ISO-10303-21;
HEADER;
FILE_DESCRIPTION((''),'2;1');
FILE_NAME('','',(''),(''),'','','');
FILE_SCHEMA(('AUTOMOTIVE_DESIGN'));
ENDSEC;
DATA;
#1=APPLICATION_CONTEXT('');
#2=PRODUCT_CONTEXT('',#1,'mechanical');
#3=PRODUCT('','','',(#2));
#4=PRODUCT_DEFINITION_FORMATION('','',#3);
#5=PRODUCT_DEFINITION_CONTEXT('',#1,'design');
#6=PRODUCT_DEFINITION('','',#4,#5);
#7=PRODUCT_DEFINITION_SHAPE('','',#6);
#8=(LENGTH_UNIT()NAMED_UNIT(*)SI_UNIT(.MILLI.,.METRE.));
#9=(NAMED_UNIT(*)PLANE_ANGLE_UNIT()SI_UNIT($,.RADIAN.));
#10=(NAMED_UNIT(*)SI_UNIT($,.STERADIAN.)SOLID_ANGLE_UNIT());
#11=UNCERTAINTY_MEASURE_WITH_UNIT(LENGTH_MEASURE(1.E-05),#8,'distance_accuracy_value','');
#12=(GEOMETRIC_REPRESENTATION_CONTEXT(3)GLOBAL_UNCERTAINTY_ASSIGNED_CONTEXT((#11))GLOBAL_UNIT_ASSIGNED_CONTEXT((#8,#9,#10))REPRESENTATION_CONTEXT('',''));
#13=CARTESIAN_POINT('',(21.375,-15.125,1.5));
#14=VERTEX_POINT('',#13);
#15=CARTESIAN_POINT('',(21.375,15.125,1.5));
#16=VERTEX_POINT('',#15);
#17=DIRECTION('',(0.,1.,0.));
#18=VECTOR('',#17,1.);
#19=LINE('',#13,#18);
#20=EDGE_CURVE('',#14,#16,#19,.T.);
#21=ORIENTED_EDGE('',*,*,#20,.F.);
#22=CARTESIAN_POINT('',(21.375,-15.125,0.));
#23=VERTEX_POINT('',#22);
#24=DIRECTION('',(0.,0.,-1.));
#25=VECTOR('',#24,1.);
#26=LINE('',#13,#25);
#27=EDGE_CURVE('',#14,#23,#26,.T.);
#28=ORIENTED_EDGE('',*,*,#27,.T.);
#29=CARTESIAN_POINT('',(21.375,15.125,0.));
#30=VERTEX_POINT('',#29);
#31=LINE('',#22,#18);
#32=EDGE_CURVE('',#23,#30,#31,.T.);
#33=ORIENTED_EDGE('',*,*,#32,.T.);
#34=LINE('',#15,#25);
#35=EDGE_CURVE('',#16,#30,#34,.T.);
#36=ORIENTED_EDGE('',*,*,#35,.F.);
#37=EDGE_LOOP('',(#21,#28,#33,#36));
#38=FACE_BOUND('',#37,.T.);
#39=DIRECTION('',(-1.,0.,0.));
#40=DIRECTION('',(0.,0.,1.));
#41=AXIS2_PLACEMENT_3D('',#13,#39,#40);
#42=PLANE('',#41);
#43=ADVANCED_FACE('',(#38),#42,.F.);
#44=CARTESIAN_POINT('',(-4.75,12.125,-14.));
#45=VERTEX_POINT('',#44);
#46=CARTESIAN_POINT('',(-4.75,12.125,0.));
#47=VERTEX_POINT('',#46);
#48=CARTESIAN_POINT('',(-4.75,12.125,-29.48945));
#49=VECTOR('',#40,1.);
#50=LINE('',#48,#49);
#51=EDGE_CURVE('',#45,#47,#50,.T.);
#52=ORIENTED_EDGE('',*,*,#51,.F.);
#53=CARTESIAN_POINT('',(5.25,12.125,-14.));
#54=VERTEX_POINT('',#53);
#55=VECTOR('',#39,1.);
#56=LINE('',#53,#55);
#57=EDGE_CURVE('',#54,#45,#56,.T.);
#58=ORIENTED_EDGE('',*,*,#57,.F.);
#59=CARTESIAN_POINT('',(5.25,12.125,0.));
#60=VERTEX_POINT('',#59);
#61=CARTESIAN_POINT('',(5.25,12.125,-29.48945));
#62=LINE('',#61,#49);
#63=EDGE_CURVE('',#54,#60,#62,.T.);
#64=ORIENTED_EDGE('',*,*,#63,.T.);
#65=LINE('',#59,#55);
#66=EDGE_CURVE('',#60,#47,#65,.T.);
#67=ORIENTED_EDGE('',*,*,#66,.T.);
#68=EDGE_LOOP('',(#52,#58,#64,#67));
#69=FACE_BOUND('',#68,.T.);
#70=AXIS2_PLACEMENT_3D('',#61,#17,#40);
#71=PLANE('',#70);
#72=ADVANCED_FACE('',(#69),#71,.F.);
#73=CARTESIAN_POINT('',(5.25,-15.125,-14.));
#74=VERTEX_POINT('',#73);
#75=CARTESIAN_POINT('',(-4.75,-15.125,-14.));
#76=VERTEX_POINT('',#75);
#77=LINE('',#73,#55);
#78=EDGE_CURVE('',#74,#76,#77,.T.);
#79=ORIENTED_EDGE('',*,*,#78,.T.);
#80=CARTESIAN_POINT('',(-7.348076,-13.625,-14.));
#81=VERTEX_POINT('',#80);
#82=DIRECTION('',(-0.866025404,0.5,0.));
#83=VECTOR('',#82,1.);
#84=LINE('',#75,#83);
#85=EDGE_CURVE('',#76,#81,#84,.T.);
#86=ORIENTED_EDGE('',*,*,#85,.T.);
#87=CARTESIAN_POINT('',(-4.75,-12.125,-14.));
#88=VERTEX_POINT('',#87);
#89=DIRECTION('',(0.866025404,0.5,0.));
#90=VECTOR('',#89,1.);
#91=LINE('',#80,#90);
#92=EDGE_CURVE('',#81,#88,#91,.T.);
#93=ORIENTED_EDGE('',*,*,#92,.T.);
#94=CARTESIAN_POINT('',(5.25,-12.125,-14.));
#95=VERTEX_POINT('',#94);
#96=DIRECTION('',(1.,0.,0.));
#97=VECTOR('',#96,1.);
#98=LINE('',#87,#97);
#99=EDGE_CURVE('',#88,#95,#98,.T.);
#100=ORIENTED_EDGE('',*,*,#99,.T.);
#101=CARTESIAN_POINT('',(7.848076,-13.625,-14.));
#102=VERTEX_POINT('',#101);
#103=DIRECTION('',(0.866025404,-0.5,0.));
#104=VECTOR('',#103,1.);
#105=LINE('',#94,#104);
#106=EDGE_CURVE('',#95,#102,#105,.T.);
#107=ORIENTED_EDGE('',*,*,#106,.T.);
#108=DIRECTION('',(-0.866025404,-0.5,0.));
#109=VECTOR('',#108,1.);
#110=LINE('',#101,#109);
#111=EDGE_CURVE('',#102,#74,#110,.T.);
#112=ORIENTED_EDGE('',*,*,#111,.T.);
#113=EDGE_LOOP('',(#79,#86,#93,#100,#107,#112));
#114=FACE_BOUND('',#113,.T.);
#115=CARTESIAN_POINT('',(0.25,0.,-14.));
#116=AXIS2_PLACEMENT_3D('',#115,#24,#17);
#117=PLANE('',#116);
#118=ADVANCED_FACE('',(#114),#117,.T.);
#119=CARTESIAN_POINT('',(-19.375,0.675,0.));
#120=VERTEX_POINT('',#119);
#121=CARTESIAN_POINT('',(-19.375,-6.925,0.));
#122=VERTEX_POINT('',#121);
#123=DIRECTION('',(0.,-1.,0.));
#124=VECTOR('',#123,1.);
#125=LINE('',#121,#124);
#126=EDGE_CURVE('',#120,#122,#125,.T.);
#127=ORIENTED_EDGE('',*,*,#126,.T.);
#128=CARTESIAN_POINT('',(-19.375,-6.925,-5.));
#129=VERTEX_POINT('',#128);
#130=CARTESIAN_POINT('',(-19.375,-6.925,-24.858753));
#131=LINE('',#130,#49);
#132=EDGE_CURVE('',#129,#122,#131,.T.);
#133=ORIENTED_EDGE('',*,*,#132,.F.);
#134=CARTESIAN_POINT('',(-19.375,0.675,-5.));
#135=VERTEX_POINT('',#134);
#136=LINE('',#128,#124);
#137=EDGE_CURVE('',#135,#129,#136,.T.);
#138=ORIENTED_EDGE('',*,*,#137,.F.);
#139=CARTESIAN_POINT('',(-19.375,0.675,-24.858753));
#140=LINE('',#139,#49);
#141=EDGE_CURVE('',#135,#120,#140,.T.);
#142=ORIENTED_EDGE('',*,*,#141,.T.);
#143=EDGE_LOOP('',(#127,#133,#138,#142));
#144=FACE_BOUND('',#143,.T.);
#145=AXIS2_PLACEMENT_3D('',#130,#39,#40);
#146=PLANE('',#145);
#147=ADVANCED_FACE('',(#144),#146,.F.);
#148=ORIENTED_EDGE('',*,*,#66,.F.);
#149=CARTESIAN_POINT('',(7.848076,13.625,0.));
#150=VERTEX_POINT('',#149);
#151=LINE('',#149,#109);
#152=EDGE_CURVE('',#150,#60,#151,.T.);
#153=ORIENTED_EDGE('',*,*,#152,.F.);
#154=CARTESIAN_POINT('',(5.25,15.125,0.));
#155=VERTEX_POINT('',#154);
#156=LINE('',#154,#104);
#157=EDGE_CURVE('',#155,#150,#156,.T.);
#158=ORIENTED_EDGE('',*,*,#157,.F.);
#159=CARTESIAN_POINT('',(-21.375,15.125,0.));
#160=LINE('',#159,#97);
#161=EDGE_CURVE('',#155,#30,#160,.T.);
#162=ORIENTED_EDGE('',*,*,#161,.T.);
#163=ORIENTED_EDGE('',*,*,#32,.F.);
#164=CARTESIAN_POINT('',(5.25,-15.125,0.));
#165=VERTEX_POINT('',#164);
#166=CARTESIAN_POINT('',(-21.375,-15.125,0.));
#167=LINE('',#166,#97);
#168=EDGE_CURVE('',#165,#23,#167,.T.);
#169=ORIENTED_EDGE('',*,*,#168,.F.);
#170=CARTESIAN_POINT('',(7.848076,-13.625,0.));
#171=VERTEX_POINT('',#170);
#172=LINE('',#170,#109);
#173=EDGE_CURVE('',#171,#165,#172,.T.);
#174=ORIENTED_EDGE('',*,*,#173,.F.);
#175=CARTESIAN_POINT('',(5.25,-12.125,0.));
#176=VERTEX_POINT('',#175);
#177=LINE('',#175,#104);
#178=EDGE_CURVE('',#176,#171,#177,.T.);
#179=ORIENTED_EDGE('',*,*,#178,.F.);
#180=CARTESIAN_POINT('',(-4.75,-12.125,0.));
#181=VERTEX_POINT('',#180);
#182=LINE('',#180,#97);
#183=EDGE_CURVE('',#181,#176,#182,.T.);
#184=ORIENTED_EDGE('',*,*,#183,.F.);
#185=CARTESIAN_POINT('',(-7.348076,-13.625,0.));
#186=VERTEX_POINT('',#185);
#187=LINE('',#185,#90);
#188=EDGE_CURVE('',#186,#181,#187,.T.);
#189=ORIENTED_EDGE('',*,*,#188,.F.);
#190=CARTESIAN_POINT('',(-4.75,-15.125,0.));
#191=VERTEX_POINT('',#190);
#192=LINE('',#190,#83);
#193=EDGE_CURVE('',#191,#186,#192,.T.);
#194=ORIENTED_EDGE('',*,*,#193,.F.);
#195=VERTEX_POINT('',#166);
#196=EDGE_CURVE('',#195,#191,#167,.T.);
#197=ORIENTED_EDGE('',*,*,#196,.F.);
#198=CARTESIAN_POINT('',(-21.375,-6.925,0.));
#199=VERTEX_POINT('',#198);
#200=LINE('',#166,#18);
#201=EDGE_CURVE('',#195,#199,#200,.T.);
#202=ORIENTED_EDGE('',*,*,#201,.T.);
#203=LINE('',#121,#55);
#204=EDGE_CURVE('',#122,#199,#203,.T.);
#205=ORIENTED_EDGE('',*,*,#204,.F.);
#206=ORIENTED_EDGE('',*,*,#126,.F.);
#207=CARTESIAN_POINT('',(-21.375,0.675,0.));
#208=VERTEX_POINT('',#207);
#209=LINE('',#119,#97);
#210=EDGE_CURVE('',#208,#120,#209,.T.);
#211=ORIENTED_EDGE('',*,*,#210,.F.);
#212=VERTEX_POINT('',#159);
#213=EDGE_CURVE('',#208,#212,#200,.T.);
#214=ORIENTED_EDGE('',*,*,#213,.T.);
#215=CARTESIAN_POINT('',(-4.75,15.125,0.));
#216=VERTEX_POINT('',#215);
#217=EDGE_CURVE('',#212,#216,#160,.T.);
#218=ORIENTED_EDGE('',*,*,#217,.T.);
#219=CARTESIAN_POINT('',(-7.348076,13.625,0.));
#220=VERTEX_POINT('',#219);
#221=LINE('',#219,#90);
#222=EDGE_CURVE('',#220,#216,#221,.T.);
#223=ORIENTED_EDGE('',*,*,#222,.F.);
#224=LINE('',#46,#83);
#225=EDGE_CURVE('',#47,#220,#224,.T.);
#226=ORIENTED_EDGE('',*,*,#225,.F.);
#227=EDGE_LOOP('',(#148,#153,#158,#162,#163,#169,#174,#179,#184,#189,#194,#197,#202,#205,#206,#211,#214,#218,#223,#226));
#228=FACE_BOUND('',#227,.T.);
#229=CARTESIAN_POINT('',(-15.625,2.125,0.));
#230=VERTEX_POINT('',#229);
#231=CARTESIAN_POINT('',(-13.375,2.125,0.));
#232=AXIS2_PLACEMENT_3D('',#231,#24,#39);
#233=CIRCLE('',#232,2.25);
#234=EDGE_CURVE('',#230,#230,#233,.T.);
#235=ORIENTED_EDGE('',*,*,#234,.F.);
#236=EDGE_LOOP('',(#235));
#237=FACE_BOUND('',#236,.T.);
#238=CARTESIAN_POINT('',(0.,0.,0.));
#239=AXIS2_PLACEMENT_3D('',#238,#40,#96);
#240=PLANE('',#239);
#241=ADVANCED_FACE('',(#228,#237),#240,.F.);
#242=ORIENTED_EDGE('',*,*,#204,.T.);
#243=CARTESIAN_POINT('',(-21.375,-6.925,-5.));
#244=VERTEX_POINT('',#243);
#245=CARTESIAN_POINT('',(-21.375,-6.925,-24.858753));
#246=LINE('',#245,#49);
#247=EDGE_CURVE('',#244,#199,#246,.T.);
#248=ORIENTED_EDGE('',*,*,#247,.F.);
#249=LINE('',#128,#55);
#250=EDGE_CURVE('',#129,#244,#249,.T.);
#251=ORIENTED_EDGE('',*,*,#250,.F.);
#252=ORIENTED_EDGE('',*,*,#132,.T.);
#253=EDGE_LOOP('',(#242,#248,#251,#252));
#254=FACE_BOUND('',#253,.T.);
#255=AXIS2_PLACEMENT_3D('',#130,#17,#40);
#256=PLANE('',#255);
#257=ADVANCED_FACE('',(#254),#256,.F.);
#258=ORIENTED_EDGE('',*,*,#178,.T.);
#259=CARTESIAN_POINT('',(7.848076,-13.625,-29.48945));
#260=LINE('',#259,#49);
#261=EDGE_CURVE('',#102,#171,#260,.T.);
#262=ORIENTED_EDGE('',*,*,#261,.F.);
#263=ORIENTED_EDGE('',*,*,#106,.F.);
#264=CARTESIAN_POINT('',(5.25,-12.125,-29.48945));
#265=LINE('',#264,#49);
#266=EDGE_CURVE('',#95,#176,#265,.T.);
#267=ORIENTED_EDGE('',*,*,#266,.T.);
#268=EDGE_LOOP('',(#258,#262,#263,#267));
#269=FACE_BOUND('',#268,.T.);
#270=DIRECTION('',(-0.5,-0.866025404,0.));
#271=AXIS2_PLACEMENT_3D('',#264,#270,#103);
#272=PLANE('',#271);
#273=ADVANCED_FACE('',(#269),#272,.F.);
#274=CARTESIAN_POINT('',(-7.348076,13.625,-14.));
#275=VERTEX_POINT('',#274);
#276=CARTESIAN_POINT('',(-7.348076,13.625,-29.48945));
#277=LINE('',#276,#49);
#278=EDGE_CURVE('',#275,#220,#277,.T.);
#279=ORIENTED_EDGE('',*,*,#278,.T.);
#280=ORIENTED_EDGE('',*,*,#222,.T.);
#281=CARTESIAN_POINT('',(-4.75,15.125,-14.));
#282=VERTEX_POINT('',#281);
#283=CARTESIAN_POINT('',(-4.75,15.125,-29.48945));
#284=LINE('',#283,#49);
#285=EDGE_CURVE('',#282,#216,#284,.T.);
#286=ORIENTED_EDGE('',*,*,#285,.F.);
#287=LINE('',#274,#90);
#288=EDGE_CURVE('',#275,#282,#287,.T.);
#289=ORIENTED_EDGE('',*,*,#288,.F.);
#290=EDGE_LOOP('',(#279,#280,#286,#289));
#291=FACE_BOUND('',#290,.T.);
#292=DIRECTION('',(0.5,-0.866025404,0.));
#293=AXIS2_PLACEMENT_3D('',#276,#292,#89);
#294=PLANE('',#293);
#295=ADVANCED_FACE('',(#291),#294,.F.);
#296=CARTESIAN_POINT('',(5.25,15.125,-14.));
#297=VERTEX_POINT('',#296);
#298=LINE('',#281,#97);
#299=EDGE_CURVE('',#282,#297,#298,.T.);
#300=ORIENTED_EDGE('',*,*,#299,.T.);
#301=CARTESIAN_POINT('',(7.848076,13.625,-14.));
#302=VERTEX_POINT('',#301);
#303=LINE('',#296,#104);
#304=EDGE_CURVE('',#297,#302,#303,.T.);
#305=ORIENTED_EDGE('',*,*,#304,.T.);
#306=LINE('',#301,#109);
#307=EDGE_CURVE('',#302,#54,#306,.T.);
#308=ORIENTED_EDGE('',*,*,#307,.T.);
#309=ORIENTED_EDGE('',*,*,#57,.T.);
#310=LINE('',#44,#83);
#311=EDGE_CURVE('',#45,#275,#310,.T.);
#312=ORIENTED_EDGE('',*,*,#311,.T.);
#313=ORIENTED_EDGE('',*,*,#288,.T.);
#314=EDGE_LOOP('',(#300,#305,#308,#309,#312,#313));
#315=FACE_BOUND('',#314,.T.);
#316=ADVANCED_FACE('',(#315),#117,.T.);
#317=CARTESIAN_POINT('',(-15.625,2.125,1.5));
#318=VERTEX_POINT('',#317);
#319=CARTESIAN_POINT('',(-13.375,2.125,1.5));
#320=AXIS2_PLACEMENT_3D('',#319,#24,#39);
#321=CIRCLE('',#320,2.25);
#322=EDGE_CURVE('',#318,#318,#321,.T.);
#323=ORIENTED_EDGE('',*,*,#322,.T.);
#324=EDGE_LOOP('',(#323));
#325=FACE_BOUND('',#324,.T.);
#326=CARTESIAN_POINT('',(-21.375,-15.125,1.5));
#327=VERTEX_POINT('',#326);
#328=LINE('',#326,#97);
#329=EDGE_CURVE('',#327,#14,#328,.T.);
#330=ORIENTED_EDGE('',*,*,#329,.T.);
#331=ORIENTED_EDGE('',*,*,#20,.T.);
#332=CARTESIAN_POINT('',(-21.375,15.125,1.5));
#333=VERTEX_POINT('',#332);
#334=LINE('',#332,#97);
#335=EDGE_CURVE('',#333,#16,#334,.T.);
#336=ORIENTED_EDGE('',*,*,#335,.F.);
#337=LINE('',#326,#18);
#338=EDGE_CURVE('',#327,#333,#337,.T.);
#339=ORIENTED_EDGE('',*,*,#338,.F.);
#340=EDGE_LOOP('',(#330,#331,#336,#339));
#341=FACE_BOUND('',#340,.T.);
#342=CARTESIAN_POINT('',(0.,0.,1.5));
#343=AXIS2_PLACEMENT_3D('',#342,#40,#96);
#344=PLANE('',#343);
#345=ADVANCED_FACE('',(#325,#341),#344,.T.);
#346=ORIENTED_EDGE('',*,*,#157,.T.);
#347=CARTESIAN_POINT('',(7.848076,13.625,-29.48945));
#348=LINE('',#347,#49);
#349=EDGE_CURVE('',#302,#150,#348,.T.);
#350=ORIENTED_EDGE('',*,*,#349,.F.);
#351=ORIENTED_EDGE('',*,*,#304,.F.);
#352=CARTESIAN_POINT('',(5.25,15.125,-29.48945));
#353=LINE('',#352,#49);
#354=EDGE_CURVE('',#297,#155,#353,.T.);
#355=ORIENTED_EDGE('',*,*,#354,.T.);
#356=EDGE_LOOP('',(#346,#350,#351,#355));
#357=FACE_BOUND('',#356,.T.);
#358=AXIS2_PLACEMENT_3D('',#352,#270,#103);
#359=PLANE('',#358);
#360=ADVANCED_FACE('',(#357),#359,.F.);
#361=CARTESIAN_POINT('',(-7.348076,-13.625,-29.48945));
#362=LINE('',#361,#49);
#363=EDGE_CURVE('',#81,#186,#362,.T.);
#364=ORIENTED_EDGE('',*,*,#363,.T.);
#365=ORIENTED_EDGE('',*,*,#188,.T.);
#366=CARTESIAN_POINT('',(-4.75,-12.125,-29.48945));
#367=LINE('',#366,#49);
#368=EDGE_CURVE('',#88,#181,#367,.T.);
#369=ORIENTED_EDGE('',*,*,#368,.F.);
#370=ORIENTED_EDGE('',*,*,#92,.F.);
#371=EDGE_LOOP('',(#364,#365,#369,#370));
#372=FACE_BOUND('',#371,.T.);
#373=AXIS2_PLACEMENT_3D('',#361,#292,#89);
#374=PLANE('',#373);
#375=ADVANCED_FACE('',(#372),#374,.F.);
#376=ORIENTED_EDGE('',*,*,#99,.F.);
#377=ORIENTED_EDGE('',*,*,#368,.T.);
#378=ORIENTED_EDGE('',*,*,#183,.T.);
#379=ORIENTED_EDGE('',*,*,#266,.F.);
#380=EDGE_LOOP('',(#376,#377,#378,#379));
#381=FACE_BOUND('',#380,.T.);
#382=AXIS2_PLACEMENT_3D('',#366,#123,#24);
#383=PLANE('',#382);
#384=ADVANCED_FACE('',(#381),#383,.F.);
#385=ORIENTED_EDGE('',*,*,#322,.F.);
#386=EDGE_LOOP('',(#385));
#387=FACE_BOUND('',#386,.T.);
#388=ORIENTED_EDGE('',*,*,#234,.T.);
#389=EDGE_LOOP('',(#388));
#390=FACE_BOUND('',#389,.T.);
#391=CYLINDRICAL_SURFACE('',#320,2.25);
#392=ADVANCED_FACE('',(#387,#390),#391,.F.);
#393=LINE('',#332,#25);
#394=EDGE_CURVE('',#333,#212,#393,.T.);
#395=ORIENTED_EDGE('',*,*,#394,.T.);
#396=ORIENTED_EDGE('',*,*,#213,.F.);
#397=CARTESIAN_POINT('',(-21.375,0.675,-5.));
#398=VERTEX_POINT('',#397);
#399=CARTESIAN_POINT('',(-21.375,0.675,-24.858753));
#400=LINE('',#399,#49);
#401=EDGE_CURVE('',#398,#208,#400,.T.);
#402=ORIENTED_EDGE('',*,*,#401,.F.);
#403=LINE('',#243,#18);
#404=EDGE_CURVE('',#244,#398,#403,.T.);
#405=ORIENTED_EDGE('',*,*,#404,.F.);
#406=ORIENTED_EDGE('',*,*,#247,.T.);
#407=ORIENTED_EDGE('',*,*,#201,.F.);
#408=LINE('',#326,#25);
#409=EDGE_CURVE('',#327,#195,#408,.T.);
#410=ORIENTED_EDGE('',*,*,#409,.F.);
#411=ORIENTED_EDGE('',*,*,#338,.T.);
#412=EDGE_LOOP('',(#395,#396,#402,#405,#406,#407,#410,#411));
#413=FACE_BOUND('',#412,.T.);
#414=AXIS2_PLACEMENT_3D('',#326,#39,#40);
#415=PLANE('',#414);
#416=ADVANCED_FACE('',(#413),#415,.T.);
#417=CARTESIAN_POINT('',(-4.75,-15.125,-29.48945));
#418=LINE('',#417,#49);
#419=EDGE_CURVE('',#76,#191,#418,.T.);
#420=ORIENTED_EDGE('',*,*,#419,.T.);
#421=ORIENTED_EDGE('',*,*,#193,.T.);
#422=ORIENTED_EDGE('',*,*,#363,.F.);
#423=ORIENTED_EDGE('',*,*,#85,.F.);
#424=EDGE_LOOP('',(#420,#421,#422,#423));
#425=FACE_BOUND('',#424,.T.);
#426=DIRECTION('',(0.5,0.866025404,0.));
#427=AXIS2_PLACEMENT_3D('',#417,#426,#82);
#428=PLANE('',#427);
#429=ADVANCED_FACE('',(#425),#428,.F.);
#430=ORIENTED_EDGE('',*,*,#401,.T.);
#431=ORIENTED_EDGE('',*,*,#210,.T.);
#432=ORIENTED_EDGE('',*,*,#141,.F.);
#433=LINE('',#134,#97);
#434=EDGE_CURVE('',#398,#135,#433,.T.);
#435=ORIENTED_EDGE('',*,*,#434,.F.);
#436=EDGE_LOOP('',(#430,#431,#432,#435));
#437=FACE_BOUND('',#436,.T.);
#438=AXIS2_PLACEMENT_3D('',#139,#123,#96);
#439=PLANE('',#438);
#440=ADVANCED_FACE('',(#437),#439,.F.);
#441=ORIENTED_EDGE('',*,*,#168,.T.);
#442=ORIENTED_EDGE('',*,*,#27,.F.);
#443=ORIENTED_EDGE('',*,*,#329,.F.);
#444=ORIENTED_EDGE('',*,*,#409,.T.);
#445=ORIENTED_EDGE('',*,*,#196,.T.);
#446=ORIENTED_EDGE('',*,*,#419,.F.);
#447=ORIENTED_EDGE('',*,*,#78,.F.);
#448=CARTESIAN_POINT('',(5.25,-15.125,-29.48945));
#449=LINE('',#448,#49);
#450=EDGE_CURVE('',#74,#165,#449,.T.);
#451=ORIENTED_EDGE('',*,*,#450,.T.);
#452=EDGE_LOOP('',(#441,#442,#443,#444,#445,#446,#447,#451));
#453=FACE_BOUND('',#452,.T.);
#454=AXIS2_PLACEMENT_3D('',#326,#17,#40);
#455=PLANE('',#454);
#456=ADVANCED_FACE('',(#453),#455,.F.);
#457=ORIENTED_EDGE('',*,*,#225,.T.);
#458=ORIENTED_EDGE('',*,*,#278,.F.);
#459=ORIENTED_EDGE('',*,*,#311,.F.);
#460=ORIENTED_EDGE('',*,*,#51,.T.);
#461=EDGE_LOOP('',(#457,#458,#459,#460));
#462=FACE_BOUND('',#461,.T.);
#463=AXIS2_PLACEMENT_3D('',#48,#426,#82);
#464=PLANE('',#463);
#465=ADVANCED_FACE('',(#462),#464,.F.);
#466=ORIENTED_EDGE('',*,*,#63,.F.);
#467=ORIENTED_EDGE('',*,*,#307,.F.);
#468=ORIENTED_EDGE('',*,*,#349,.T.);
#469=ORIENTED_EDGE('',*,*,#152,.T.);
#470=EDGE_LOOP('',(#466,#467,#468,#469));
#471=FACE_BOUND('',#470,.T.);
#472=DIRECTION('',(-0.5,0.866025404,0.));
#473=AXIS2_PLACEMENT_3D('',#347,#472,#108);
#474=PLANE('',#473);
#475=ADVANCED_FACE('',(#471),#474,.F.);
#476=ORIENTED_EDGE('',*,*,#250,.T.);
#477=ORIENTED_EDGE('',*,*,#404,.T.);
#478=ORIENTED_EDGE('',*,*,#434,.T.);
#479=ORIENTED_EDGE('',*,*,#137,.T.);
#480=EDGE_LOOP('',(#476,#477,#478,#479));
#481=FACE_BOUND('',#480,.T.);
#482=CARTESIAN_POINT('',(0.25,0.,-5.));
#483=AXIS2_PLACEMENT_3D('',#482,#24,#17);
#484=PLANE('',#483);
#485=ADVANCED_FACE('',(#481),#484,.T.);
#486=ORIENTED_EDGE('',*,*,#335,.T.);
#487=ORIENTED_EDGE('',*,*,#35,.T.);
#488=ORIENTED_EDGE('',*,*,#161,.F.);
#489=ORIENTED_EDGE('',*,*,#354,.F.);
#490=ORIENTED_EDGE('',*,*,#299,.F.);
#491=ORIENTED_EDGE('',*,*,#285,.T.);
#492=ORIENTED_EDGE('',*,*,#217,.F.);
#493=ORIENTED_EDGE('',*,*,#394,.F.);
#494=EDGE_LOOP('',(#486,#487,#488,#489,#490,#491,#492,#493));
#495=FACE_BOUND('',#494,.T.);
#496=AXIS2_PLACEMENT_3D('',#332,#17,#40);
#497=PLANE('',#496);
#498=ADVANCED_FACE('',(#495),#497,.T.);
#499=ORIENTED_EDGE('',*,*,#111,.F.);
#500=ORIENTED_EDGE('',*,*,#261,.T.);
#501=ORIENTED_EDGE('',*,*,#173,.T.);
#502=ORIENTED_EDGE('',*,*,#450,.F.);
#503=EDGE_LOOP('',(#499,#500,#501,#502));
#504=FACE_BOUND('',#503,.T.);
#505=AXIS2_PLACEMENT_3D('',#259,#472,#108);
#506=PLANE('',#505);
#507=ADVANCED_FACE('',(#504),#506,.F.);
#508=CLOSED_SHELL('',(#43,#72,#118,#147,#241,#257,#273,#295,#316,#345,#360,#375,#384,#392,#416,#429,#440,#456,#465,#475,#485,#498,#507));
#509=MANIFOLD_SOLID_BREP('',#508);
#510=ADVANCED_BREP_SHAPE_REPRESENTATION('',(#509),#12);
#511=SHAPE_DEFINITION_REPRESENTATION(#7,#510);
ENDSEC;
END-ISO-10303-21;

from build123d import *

# Parameters (mm, degrees)
SKETCH1_W           = 42.75
SKETCH1_H           = 30.25
BOSS_EXTRUDE1_DEPTH = 1.5
BOSS_EXTRUDE2_DEPTH = 14
SKETCH3_W           = 2
SKETCH3_H           = 7.6
BOSS_EXTRUDE3_DEPTH = 5
SKETCH4_R           = 2.25
CUT_EXTRUDE1_DEPTH  = 2.5


with BuildPart() as part:
    # Sketch1 → Boss-Extrude1 (new body)
    with BuildSketch(Plane.XY):
        Rectangle(SKETCH1_W, SKETCH1_H)
    extrude(amount=BOSS_EXTRUDE1_DEPTH)

    # Sketch2 → Boss-Extrude2 (add)
    with BuildSketch(Plane(origin=(0, 0, 0), x_dir=(-1, 0, 0), z_dir=(0, 0, -1))):
        Polygon((7.348076211, -13.625), (4.75, -12.125), (-5.25, -12.125), (-7.848076211, -13.625), (-5.25, -15.125), (4.75, -15.125), align=None)
        Polygon((-7.848076211, 13.625), (-5.25, 12.125), (4.75, 12.125), (7.348076211, 13.625), (4.75, 15.125), (-5.25, 15.125), align=None)
    extrude(amount=BOSS_EXTRUDE2_DEPTH)

    # Sketch3 → Boss-Extrude3 (add)
    with BuildSketch(Plane(origin=(0, 0, 0), x_dir=(-1, 0, 0), z_dir=(0, 0, -1))):
        with Locations((20.375, -3.125)):
            Rectangle(SKETCH3_W, SKETCH3_H)
    extrude(amount=BOSS_EXTRUDE3_DEPTH)

    # Sketch4 → Cut-Extrude1 (cut, through all)
    with BuildSketch(Plane(origin=(0, 0, 0), x_dir=(-1, 0, 0), z_dir=(0, 0, -1))):
        with Locations((13.375, 2.125)):
            Circle(SKETCH4_R)
    extrude(amount=-CUT_EXTRUDE1_DEPTH, mode=Mode.SUBTRACT)


solid = part.part
